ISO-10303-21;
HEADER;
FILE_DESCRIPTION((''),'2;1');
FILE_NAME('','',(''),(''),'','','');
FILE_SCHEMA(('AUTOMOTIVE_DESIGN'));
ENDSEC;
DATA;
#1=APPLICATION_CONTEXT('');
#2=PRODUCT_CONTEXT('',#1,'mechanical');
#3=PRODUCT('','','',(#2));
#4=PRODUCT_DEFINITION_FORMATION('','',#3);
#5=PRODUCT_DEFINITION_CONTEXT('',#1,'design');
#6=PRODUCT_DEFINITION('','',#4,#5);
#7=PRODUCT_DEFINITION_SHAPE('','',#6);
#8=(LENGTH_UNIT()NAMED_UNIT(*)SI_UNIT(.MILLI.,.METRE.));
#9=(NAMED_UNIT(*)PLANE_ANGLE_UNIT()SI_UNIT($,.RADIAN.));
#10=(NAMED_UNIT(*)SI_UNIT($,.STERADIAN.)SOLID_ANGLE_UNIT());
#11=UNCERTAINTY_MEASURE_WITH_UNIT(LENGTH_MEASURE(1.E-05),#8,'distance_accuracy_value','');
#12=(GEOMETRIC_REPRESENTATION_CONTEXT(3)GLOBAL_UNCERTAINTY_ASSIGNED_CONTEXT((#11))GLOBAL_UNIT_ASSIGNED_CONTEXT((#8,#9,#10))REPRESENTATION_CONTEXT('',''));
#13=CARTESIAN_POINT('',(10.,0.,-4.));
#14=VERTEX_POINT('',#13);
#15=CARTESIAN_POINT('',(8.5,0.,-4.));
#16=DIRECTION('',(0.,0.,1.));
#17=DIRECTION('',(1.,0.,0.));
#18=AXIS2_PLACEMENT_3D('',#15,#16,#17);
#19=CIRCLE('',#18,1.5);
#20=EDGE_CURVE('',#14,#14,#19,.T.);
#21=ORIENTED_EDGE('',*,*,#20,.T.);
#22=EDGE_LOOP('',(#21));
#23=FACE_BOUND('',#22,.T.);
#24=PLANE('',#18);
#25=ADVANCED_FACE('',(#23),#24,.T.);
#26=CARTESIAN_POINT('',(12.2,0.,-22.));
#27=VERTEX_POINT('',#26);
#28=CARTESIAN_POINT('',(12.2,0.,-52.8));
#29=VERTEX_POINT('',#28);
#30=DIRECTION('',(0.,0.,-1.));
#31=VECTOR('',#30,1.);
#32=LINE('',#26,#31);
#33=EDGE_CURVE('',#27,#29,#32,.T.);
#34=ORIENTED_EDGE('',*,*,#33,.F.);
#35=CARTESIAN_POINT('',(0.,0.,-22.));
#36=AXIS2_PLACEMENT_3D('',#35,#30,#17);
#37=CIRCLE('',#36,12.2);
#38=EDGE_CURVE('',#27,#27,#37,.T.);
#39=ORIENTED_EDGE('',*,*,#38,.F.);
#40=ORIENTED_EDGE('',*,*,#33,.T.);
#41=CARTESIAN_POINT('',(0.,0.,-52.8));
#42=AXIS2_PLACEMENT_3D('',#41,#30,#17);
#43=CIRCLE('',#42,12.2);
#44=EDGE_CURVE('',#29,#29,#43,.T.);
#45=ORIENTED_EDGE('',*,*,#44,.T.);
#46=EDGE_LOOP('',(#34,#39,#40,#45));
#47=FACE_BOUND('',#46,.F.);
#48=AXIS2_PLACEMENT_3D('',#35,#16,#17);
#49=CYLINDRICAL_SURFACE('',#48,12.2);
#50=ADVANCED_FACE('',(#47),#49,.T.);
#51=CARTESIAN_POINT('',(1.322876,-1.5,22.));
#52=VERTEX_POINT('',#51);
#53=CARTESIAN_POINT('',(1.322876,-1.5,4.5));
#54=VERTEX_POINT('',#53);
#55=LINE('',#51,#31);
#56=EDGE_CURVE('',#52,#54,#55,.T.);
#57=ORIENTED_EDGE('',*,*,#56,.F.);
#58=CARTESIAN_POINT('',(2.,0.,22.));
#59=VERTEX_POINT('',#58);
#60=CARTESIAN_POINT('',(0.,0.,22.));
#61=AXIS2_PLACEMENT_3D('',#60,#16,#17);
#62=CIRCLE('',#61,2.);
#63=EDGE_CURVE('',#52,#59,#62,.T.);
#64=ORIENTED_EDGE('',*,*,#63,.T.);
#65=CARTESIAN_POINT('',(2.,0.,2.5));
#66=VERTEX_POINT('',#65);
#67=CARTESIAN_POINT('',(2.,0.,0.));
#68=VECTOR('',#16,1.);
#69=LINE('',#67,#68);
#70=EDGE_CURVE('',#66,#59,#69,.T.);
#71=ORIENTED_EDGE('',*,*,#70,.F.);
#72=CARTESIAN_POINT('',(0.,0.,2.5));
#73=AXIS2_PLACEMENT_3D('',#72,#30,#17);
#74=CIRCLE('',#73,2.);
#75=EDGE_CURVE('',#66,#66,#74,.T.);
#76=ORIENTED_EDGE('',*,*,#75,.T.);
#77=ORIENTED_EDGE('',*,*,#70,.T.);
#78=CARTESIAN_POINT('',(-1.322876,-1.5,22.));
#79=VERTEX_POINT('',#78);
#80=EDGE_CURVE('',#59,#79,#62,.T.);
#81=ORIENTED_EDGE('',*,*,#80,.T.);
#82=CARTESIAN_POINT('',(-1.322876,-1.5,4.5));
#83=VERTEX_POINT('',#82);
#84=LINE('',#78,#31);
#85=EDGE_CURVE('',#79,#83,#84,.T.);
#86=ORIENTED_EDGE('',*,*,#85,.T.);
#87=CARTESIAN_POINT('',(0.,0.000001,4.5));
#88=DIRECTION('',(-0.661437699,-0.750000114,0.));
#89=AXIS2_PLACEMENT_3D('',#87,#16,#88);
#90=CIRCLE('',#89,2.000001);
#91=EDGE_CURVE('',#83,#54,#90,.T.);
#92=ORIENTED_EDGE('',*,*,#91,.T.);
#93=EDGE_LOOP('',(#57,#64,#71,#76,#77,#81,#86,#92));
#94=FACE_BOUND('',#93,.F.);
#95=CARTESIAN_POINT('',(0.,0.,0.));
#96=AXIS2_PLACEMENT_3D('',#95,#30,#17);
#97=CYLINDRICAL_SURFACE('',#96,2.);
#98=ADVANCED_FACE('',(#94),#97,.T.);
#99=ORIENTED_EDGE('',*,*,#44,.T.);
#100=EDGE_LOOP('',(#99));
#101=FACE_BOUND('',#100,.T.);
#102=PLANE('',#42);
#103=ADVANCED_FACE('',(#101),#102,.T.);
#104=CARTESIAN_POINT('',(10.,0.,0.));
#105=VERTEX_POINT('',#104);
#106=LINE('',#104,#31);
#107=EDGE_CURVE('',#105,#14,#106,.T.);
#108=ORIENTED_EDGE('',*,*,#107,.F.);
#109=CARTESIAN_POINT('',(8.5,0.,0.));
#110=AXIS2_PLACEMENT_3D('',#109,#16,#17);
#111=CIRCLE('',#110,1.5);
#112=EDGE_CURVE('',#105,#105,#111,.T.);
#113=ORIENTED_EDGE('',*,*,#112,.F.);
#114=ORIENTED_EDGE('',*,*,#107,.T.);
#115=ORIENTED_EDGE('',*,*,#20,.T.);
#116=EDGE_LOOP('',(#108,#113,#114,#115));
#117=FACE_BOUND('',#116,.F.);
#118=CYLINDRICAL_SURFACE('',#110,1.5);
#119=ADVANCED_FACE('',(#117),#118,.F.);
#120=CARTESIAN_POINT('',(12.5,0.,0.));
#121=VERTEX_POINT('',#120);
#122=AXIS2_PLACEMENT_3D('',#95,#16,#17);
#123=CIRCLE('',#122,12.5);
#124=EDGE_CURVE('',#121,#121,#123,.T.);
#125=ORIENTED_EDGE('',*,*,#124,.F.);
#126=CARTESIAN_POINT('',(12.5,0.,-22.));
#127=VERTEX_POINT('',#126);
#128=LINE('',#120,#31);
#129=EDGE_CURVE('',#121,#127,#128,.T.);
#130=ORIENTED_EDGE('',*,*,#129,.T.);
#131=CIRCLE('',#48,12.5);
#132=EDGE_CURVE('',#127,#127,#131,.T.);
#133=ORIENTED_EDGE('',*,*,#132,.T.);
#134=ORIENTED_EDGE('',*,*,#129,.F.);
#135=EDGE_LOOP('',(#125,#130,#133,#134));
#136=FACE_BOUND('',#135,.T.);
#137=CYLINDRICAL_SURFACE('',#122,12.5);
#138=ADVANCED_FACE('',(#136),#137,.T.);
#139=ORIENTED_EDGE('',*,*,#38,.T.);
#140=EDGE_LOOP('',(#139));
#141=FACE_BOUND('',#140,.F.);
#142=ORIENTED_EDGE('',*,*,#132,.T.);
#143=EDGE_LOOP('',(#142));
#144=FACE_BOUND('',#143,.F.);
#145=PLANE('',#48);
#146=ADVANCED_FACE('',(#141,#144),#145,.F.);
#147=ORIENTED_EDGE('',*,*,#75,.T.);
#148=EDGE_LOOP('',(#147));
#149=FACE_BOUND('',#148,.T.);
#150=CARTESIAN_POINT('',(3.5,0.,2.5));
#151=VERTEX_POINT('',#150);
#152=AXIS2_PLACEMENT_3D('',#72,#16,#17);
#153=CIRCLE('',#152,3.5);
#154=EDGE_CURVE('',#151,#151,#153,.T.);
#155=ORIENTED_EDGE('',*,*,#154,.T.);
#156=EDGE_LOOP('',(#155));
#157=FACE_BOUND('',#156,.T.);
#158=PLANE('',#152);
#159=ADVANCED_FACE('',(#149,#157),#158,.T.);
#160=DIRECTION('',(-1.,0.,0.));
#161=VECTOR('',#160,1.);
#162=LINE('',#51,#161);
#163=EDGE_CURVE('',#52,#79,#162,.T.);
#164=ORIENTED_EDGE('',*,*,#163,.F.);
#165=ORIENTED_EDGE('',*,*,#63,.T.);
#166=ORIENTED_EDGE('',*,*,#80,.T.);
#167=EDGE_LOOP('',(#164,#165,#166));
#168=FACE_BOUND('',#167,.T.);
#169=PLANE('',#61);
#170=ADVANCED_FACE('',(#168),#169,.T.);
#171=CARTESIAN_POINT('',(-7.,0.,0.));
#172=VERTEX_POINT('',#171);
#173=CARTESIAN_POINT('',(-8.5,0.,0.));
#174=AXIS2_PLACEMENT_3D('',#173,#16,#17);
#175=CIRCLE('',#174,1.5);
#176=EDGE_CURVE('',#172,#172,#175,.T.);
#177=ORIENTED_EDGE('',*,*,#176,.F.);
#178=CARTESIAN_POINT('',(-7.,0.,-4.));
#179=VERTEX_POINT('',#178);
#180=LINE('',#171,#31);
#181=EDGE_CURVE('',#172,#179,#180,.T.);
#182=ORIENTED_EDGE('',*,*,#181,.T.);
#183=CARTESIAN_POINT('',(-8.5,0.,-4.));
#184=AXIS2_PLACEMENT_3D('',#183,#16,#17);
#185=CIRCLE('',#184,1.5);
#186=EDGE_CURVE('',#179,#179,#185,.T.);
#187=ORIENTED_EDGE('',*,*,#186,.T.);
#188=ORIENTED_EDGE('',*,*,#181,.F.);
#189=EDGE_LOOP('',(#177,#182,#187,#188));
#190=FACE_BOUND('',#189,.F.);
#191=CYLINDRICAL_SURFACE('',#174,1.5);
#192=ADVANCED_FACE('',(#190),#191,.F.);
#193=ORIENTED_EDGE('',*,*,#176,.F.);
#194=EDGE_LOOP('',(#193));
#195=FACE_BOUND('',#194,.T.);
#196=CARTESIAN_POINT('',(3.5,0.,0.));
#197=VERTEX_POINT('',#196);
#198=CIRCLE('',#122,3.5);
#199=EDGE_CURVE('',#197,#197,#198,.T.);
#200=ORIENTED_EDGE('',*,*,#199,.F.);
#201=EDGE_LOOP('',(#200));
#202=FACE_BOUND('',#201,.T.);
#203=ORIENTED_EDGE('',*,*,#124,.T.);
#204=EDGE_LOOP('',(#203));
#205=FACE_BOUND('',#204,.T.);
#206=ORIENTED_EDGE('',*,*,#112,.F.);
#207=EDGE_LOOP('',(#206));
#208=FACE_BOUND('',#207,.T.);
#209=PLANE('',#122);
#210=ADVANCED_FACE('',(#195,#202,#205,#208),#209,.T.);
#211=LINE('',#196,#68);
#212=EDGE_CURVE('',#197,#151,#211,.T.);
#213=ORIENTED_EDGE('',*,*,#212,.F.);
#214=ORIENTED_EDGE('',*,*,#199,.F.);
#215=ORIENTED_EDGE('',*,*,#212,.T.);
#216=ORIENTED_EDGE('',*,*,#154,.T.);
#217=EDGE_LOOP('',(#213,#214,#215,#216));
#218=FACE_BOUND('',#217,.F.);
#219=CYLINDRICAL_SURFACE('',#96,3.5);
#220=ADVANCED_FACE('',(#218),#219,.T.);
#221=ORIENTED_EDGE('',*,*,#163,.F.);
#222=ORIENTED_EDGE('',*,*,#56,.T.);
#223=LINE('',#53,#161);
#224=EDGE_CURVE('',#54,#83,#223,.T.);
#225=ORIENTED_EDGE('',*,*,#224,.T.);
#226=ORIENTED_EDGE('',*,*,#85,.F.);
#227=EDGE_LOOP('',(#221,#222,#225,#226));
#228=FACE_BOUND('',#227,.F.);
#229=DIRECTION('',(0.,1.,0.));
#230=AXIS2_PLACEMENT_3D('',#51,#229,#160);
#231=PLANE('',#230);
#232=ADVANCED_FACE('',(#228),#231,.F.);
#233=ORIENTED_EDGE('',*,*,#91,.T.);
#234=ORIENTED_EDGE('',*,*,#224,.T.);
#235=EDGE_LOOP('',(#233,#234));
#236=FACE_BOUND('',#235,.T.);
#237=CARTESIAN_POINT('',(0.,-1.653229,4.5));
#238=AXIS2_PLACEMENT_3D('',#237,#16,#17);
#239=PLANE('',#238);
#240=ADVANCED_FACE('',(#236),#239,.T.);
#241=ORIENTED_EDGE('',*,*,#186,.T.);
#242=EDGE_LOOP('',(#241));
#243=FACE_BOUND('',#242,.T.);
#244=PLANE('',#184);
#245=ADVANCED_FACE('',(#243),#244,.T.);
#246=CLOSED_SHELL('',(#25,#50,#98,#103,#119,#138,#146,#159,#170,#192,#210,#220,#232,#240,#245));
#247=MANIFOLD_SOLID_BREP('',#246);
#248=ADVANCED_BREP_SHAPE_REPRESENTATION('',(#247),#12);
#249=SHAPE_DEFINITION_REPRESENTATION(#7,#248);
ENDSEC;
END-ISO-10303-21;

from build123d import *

# Parameters (mm, degrees)
F0_R      = 12.5
F1_DEPTH  = 22
F2_R      = 12.2
F3_DEPTH  = 30.8
F4_R      = 3.5
F5_DEPTH  = 2.5
F6_R      = 2
F7_DEPTH  = 22
F9_DEPTH  = 17.5
F10_R     = 1.5
F11_DEPTH = 4


with BuildPart() as f1:
    # F0 (on Top) → F1 (new body)
    with BuildSketch(Plane.XY):
        Circle(F0_R)
    extrude(amount=-F1_DEPTH)

    # F2 (on face) → F3 (join)
    with BuildSketch(Plane(origin=(0, 0, -22), x_dir=(1, 0, 0), z_dir=(0, 0, -1))):
        Circle(F2_R)
    extrude(amount=F3_DEPTH)

    # F4 (on face) → F5 (join)
    with BuildSketch(Plane.XY):
        Circle(F4_R)
    extrude(amount=F5_DEPTH)

    # F6 (on face) → F7 (join)
    with BuildSketch(Plane.XY):
        Circle(F6_R)
    extrude(amount=F7_DEPTH)

    # F8 (on face) → F9 (cut)
    with BuildSketch(Plane.XY.offset(22)):
        with BuildLine():
            Line((1.322876, -1.5), (-1.322876, -1.5))
            ThreePointArc((-1.322876, -1.5), (0, -2), (1.322876, -1.5))
        make_face()
    extrude(amount=-F9_DEPTH, mode=Mode.SUBTRACT)

    # F10 (on face) → F11 (cut)
    with BuildSketch(Plane.XY):
        with Locations((-8.5, 0)):
            Circle(F10_R)
        with Locations((8.5, 0)):
            Circle(F10_R)
    extrude(amount=-F11_DEPTH, mode=Mode.SUBTRACT)


solid = f1.part
